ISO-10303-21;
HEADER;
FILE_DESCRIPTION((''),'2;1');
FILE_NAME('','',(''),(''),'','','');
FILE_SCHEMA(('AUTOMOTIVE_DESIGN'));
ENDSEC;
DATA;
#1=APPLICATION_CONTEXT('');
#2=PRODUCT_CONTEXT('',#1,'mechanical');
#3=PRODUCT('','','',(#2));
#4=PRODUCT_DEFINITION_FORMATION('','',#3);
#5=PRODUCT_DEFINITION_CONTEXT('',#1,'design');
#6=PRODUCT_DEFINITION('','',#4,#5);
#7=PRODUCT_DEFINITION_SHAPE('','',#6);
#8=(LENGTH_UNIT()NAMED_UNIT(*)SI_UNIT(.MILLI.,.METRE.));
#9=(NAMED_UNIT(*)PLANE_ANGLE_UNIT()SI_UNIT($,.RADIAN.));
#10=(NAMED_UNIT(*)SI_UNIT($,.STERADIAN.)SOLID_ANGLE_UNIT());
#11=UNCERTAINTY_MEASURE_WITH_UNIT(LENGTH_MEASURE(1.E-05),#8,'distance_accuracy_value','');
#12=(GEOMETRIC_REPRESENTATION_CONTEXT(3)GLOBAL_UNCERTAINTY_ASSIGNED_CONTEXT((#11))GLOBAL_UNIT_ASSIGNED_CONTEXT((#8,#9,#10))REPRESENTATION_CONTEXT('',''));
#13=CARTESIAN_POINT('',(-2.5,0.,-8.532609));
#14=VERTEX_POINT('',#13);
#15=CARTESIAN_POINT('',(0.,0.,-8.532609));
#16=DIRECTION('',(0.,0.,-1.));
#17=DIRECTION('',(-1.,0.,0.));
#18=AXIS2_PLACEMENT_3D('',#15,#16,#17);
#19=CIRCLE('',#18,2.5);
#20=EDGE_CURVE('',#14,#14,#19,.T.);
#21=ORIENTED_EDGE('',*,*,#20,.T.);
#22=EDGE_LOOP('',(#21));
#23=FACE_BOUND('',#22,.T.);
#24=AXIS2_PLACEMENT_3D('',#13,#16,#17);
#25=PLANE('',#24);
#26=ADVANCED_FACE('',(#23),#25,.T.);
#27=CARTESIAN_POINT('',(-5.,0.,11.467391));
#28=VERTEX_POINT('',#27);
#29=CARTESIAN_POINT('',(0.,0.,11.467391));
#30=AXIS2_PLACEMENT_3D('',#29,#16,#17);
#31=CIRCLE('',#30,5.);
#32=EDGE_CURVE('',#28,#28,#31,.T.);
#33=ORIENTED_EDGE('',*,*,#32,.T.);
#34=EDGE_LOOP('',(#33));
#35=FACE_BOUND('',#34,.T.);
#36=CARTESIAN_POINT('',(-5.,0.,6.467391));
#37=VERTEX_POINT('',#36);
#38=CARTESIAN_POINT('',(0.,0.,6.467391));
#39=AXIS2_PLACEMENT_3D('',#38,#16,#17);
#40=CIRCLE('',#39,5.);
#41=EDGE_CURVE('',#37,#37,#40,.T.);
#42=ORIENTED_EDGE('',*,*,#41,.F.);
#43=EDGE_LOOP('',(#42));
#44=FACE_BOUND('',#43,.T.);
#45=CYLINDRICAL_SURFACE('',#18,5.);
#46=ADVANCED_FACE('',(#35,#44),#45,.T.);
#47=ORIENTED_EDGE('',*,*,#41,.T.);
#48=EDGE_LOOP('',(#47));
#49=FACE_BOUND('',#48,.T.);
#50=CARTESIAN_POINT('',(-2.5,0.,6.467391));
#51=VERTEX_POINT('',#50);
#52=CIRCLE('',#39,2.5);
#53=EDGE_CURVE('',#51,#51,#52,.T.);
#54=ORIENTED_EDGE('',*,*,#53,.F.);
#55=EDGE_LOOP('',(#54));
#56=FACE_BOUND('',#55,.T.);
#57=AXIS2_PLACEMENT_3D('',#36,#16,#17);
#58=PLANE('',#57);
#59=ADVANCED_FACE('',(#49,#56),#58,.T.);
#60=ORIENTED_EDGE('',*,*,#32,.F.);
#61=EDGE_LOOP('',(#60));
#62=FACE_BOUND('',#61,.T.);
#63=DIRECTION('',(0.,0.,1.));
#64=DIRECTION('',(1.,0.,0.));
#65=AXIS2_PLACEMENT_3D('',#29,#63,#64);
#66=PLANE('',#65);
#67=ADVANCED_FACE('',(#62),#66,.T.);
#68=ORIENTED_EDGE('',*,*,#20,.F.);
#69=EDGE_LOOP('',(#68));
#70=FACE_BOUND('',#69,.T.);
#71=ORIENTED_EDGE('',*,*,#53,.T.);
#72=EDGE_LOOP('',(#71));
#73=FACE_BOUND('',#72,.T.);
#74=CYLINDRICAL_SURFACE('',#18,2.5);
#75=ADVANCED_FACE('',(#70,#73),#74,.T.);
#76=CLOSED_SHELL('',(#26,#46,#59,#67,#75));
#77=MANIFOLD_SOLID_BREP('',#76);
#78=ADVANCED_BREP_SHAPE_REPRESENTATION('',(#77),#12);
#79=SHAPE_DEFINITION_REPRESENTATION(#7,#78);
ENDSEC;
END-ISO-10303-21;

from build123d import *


with BuildPart() as part:
    # Croquis1 → Revolución1 (revolve)
    with BuildSketch(Plane(origin=(0, 0, 0), x_dir=(1, 0, 0), z_dir=(0, 1, 0))):
        Polygon((0, 8.532608696), (0, -11.467391304), (-5, -11.467391304), (-5, -6.467391304), (-2.5, -6.467391304), (-2.5, 8.532608696), align=None)
    revolve(axis=Axis((0, 0, -8.532608696), (0, 0, 1)))


solid = part.part
